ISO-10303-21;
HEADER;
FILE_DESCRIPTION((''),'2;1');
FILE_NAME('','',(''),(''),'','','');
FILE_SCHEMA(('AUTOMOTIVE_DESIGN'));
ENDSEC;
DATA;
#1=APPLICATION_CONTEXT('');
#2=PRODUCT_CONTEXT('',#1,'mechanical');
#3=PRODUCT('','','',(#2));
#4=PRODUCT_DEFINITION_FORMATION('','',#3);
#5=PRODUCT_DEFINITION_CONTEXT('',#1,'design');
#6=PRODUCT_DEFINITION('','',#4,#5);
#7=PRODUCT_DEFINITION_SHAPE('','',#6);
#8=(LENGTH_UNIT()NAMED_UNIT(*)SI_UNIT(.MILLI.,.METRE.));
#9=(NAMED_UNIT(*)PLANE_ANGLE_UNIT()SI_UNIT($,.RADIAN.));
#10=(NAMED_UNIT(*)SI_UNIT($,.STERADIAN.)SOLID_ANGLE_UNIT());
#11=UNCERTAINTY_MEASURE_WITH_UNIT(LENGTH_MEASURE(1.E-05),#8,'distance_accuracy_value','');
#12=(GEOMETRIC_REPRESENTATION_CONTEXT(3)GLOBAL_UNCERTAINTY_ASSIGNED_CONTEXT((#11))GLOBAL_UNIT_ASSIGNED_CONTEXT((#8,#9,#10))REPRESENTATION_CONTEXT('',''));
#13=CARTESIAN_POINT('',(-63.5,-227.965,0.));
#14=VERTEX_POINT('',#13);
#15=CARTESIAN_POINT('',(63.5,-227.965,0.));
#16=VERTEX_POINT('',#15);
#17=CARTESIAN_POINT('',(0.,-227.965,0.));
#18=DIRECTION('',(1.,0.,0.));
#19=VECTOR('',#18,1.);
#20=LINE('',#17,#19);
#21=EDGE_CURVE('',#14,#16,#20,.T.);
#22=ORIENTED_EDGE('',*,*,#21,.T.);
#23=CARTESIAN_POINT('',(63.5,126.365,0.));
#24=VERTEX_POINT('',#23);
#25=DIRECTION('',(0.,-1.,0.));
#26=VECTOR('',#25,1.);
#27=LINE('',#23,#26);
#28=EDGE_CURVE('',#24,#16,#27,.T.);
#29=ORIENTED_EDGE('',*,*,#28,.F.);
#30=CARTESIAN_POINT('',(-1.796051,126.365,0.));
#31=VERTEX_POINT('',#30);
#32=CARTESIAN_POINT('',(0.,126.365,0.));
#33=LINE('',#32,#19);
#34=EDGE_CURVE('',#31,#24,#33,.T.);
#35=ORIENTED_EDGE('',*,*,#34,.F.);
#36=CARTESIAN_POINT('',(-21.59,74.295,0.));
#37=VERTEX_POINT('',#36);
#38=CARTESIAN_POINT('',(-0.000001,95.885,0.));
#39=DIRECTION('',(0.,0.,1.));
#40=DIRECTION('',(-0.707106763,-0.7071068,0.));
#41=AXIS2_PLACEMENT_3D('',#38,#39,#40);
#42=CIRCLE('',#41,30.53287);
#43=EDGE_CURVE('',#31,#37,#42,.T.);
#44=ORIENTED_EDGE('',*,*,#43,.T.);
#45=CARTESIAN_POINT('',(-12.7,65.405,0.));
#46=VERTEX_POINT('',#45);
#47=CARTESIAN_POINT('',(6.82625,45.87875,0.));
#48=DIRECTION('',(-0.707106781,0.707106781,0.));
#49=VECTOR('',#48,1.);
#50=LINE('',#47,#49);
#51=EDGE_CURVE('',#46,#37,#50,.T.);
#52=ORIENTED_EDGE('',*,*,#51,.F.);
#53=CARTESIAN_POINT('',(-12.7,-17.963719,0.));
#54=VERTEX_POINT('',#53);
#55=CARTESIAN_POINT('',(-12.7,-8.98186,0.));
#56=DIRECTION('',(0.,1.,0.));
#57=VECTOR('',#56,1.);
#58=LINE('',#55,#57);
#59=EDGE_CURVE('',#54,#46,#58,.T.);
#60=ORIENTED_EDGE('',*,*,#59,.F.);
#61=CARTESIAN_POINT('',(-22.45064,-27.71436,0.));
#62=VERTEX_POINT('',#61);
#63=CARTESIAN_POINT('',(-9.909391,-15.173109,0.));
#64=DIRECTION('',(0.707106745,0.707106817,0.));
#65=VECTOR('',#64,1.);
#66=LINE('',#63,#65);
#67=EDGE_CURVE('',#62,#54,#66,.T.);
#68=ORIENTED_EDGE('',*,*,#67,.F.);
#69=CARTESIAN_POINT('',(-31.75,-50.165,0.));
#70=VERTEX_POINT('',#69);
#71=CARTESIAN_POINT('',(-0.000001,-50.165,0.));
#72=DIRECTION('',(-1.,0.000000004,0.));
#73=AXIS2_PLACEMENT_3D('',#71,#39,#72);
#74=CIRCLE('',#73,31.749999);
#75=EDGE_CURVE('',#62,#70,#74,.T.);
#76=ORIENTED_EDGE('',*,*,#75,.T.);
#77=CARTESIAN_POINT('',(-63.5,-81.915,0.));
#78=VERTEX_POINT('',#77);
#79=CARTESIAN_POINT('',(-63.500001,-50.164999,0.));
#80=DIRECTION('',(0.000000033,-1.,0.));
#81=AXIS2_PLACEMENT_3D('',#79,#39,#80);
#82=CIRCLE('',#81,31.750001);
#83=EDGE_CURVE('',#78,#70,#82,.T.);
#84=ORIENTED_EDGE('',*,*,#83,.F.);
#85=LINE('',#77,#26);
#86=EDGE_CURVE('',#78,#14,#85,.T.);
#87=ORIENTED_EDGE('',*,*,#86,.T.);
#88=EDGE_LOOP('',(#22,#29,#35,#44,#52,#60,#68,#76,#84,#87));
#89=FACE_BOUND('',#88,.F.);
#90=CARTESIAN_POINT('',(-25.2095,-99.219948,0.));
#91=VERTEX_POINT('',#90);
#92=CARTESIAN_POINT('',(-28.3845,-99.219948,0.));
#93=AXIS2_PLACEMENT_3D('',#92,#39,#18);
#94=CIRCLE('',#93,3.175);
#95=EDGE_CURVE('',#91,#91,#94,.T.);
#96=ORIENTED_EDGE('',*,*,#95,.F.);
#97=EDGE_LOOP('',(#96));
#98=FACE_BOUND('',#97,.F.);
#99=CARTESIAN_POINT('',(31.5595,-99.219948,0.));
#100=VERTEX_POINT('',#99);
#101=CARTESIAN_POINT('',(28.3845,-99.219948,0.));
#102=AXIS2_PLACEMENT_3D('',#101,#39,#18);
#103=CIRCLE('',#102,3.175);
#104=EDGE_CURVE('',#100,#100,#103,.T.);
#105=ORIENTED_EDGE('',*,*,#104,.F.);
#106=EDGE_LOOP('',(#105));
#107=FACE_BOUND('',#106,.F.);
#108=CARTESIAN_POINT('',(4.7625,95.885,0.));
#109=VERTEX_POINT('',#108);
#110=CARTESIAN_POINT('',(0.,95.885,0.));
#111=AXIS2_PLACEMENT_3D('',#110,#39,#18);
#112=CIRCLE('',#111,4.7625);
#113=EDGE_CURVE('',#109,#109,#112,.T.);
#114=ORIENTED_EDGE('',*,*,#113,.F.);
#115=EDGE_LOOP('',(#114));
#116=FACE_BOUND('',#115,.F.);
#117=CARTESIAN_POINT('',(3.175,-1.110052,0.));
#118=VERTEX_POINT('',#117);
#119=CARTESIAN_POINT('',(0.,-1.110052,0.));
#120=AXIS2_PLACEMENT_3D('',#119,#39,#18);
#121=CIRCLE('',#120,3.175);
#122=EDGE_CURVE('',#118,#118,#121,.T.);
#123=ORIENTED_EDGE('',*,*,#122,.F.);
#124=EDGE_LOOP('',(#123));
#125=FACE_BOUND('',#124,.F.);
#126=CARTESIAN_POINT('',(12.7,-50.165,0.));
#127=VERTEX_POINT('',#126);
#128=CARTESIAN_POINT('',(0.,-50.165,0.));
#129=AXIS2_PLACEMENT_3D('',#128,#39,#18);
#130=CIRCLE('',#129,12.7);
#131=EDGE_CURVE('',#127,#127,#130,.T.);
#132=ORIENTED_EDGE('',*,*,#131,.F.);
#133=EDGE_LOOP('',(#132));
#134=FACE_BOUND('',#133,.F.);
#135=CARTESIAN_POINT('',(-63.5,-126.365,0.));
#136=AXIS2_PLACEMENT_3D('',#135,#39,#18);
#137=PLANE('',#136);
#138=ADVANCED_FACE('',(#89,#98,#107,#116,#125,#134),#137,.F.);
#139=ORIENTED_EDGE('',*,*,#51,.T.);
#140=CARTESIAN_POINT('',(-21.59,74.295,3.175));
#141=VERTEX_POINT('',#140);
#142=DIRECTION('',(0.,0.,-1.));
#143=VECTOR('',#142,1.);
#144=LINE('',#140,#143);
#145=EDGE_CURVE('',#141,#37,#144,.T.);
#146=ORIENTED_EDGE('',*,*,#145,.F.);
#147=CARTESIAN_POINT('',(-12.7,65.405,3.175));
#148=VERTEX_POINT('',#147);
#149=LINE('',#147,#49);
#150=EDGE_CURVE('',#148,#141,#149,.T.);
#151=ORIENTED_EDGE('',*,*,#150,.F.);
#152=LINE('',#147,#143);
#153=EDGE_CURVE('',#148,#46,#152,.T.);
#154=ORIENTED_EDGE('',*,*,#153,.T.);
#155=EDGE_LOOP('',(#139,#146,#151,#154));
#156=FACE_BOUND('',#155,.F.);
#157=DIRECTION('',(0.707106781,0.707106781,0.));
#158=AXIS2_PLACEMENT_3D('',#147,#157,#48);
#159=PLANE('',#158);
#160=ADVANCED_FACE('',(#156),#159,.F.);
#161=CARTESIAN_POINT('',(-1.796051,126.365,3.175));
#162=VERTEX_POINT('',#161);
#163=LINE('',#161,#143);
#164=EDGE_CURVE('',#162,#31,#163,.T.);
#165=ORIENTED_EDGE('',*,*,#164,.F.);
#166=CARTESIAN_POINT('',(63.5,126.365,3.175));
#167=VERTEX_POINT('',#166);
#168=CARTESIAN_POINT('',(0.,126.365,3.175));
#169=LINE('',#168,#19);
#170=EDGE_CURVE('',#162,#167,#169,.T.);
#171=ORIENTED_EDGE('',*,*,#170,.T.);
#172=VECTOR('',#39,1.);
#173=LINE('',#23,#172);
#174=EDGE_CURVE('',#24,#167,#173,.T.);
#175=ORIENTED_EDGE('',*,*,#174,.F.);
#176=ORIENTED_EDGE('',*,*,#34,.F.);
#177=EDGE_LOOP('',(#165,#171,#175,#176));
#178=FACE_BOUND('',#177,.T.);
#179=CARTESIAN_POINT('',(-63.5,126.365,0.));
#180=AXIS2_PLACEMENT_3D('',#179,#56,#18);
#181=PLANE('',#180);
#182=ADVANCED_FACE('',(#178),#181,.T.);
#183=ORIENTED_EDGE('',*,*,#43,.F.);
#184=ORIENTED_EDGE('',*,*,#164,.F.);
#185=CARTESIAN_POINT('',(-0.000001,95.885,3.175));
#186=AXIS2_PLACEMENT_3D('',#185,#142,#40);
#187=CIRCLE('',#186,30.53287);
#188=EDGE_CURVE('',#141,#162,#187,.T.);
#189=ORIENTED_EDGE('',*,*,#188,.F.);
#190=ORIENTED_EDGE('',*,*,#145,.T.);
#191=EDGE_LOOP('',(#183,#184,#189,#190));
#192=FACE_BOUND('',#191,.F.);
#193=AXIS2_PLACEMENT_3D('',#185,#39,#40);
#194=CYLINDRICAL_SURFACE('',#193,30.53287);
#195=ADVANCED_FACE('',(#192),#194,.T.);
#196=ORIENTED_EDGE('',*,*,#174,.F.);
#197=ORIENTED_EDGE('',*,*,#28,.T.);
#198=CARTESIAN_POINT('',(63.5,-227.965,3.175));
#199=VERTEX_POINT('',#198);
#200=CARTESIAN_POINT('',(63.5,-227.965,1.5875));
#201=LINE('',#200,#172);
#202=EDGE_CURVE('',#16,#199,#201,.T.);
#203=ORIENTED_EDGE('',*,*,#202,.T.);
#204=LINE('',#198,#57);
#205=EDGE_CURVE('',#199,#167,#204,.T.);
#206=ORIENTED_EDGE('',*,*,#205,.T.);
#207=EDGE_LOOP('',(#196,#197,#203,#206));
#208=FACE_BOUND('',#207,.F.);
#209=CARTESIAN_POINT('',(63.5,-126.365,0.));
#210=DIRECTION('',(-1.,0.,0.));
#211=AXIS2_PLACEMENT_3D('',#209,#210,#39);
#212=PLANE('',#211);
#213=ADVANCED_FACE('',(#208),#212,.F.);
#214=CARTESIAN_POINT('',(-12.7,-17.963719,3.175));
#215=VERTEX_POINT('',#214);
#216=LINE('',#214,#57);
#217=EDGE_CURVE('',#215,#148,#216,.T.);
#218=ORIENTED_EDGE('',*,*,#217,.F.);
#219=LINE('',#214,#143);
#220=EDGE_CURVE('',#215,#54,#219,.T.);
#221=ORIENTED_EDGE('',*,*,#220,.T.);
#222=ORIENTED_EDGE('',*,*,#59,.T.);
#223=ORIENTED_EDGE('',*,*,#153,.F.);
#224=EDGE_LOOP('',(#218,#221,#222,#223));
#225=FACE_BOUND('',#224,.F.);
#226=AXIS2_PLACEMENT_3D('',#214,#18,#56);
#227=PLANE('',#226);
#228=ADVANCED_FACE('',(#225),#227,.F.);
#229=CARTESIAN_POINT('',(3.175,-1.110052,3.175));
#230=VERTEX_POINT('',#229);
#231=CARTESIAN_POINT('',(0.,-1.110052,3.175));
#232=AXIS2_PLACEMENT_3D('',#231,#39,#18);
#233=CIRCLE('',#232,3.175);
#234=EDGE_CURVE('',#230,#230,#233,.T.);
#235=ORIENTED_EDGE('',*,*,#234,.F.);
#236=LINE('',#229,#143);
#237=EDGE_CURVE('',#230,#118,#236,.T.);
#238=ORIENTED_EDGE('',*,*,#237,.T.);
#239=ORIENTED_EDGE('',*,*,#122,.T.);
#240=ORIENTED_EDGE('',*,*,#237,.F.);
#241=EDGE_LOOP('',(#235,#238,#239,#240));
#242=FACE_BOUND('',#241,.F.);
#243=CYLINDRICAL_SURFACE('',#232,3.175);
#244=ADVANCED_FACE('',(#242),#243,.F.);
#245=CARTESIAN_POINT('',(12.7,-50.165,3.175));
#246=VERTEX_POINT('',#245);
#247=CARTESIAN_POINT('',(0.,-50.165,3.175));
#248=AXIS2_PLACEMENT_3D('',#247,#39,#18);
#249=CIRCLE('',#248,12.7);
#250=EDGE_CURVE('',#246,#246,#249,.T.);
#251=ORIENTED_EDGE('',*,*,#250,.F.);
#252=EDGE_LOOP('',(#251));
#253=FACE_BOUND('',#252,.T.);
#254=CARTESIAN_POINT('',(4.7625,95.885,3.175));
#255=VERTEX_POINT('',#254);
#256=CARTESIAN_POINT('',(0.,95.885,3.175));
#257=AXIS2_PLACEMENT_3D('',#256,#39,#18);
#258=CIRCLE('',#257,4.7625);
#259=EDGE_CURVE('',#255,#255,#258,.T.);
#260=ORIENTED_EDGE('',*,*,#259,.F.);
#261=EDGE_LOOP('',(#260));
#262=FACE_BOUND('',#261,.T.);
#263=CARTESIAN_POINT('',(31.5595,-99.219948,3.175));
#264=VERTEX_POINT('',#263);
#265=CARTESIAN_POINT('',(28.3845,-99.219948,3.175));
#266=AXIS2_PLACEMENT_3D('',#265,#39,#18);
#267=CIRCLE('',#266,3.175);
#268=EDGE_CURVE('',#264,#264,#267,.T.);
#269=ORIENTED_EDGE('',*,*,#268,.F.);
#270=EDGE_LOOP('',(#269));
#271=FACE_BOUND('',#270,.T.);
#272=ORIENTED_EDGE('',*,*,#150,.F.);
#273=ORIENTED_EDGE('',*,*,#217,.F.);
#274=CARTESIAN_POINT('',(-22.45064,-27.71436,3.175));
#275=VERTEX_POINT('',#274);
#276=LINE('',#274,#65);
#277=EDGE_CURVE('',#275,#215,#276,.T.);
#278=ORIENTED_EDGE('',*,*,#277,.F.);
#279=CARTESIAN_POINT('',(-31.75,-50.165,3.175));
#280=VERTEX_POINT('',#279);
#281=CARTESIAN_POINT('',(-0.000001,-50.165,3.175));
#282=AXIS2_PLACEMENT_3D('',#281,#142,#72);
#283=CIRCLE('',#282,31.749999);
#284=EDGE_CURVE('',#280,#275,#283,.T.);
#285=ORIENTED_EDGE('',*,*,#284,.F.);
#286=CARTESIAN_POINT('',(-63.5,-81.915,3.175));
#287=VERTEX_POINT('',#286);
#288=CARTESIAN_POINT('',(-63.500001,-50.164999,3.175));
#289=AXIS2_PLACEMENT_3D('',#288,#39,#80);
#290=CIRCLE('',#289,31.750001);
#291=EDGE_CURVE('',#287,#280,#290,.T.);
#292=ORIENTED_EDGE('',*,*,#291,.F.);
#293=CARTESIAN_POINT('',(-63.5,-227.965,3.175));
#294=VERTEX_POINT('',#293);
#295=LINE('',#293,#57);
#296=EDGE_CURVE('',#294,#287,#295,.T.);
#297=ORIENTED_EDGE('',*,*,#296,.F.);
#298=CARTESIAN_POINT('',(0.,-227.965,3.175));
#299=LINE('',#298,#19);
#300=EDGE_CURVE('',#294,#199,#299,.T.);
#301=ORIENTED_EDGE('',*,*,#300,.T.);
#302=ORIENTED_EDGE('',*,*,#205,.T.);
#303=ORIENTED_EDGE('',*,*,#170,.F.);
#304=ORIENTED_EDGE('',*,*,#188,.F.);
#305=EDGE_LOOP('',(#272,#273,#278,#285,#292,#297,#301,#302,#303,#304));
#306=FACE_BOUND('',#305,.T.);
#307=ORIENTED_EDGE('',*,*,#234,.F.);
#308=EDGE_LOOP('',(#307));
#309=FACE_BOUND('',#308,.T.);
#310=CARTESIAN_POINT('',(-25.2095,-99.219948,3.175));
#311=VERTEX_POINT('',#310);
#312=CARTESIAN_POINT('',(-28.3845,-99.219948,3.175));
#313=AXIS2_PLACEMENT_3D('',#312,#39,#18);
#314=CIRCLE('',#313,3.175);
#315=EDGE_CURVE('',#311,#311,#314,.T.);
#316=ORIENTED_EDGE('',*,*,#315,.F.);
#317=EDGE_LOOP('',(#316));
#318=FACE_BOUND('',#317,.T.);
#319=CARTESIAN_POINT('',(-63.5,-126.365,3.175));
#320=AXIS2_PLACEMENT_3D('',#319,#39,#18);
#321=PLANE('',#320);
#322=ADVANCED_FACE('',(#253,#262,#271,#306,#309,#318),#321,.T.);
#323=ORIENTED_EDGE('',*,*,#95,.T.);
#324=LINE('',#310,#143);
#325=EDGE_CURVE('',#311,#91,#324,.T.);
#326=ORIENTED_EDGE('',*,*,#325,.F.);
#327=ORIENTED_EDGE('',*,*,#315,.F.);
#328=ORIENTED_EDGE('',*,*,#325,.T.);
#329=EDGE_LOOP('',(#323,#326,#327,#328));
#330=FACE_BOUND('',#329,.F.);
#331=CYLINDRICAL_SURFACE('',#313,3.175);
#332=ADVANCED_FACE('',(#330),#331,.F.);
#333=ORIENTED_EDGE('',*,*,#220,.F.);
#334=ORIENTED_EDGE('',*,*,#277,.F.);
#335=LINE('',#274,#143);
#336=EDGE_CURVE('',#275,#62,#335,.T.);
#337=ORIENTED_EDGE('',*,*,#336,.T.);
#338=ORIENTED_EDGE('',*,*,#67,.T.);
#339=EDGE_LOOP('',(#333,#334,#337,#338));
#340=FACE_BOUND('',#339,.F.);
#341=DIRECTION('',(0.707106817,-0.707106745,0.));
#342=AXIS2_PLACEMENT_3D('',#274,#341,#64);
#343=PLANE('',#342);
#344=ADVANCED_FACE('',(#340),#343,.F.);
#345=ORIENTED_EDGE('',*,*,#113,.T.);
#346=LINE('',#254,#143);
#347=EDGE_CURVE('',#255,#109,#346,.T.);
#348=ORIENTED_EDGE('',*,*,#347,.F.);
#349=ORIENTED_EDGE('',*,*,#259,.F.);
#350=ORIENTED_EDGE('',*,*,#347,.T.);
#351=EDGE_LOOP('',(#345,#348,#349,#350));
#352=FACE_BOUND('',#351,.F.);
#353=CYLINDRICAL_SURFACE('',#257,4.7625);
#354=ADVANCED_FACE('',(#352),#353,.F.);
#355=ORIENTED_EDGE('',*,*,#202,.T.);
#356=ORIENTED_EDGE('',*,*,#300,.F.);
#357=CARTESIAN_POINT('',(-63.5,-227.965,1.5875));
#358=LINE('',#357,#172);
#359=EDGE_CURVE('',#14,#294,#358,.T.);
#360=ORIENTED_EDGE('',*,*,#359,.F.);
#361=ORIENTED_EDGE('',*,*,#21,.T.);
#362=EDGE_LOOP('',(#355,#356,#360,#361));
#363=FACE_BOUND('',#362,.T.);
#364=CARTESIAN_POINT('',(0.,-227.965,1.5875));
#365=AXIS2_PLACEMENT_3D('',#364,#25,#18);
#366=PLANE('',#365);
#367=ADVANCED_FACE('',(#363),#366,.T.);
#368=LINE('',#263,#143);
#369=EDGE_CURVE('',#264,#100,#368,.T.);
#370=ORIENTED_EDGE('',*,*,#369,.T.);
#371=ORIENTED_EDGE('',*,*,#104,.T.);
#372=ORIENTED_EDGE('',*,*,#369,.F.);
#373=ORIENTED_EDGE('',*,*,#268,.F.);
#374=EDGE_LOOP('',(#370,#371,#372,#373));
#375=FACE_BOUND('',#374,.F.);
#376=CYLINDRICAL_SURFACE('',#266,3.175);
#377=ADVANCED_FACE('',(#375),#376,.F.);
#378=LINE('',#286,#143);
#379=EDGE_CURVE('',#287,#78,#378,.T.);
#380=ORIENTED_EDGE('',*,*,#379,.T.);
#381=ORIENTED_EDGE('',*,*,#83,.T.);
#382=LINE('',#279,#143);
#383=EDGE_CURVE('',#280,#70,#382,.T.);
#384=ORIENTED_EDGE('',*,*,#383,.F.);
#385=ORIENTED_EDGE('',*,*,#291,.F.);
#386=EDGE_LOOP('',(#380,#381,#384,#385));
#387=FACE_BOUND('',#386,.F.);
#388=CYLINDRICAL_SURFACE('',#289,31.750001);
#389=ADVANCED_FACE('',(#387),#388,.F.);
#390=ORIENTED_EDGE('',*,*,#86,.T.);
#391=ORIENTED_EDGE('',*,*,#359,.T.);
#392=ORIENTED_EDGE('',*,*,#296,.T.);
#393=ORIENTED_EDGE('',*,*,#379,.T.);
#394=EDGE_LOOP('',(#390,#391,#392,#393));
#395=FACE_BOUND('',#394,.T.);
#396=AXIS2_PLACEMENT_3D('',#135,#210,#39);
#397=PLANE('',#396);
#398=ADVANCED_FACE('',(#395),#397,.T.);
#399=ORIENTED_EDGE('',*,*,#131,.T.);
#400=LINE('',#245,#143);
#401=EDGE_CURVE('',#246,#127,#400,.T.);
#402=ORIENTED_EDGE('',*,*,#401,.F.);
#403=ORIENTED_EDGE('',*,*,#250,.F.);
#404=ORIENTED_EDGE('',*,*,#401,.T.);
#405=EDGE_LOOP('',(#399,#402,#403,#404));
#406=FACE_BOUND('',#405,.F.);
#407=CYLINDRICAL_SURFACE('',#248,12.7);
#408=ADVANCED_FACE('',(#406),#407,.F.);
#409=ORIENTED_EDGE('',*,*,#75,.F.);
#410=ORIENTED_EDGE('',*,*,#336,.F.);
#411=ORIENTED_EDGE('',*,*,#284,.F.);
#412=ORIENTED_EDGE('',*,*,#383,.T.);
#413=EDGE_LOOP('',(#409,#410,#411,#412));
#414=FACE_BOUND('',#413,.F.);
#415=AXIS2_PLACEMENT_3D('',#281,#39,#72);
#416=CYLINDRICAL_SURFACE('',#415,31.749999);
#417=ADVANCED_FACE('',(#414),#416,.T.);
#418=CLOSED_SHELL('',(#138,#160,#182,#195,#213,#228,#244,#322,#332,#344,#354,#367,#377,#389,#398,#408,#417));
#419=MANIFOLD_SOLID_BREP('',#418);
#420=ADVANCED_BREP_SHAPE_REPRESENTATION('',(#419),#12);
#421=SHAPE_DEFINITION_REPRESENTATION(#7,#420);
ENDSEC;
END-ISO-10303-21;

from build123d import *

# Parameters (mm, degrees)
F0_W     = 127
F0_H     = 252.73
F1_DEPTH = 3.175
F2_R     = 12.7
F2_R_2   = 3.175
F2_R_3   = 4.7625
F3_DEPTH = 3.176
F4_W     = 127
F4_H     = 3.175
F5_DEPTH = 101.6


with BuildPart() as f1:
    # F0 (on Top) → F1 (new body)
    with BuildSketch(Plane.XY):
        Rectangle(F0_W, F0_H)
    extrude(amount=F1_DEPTH)

    # F2 (on face) → F3 (cut, through all)
    with BuildSketch(Plane.XY.offset(3.175)):
        with BuildLine():
            Line((-12.7, 65.405), (-21.59, 74.295))
            ThreePointArc((-21.59, 74.295), (-28.540289, 106.734338), (-1.796051, 126.365))
            Line((-1.796051, 126.365), (-63.5, 126.365))
            Line((-63.5, 126.365), (-63.5, 116.205))
            Line((-63.5, 116.205), (-63.5, -69.215))
            Line((-63.5, -69.215), (-63.5, -81.915))
            ThreePointArc((-63.5, -81.915), (-41.04936, -72.61564), (-31.75, -50.165))
            ThreePointArc((-31.75, -50.165), (-29.333175, -38.014801), (-22.45064, -27.71436))
            Line((-22.45064, -27.71436), (-12.7, -17.963719))
            Line((-12.7, -17.963719), (-12.7, 65.405))
        make_face()
        with Locations((0, -50.165)):
            Circle(F2_R)
        with Locations((28.3845, -99.219948)):
            Circle(F2_R_2)
        with Locations((-28.3845, -99.219948)):
            Circle(F2_R_2)
        with Locations((0, -1.110052)):
            Circle(F2_R_2)
        with Locations((0, 95.885)):
            Circle(F2_R_3)
    extrude(amount=-F3_DEPTH, mode=Mode.SUBTRACT)

    # F4 (on face) → F5 (join)
    with BuildSketch(Plane.XZ.offset(126.365)):
        with Locations((0, 1.5875)):
            Rectangle(F4_W, F4_H)
    extrude(amount=F5_DEPTH)


solid = f1.part
